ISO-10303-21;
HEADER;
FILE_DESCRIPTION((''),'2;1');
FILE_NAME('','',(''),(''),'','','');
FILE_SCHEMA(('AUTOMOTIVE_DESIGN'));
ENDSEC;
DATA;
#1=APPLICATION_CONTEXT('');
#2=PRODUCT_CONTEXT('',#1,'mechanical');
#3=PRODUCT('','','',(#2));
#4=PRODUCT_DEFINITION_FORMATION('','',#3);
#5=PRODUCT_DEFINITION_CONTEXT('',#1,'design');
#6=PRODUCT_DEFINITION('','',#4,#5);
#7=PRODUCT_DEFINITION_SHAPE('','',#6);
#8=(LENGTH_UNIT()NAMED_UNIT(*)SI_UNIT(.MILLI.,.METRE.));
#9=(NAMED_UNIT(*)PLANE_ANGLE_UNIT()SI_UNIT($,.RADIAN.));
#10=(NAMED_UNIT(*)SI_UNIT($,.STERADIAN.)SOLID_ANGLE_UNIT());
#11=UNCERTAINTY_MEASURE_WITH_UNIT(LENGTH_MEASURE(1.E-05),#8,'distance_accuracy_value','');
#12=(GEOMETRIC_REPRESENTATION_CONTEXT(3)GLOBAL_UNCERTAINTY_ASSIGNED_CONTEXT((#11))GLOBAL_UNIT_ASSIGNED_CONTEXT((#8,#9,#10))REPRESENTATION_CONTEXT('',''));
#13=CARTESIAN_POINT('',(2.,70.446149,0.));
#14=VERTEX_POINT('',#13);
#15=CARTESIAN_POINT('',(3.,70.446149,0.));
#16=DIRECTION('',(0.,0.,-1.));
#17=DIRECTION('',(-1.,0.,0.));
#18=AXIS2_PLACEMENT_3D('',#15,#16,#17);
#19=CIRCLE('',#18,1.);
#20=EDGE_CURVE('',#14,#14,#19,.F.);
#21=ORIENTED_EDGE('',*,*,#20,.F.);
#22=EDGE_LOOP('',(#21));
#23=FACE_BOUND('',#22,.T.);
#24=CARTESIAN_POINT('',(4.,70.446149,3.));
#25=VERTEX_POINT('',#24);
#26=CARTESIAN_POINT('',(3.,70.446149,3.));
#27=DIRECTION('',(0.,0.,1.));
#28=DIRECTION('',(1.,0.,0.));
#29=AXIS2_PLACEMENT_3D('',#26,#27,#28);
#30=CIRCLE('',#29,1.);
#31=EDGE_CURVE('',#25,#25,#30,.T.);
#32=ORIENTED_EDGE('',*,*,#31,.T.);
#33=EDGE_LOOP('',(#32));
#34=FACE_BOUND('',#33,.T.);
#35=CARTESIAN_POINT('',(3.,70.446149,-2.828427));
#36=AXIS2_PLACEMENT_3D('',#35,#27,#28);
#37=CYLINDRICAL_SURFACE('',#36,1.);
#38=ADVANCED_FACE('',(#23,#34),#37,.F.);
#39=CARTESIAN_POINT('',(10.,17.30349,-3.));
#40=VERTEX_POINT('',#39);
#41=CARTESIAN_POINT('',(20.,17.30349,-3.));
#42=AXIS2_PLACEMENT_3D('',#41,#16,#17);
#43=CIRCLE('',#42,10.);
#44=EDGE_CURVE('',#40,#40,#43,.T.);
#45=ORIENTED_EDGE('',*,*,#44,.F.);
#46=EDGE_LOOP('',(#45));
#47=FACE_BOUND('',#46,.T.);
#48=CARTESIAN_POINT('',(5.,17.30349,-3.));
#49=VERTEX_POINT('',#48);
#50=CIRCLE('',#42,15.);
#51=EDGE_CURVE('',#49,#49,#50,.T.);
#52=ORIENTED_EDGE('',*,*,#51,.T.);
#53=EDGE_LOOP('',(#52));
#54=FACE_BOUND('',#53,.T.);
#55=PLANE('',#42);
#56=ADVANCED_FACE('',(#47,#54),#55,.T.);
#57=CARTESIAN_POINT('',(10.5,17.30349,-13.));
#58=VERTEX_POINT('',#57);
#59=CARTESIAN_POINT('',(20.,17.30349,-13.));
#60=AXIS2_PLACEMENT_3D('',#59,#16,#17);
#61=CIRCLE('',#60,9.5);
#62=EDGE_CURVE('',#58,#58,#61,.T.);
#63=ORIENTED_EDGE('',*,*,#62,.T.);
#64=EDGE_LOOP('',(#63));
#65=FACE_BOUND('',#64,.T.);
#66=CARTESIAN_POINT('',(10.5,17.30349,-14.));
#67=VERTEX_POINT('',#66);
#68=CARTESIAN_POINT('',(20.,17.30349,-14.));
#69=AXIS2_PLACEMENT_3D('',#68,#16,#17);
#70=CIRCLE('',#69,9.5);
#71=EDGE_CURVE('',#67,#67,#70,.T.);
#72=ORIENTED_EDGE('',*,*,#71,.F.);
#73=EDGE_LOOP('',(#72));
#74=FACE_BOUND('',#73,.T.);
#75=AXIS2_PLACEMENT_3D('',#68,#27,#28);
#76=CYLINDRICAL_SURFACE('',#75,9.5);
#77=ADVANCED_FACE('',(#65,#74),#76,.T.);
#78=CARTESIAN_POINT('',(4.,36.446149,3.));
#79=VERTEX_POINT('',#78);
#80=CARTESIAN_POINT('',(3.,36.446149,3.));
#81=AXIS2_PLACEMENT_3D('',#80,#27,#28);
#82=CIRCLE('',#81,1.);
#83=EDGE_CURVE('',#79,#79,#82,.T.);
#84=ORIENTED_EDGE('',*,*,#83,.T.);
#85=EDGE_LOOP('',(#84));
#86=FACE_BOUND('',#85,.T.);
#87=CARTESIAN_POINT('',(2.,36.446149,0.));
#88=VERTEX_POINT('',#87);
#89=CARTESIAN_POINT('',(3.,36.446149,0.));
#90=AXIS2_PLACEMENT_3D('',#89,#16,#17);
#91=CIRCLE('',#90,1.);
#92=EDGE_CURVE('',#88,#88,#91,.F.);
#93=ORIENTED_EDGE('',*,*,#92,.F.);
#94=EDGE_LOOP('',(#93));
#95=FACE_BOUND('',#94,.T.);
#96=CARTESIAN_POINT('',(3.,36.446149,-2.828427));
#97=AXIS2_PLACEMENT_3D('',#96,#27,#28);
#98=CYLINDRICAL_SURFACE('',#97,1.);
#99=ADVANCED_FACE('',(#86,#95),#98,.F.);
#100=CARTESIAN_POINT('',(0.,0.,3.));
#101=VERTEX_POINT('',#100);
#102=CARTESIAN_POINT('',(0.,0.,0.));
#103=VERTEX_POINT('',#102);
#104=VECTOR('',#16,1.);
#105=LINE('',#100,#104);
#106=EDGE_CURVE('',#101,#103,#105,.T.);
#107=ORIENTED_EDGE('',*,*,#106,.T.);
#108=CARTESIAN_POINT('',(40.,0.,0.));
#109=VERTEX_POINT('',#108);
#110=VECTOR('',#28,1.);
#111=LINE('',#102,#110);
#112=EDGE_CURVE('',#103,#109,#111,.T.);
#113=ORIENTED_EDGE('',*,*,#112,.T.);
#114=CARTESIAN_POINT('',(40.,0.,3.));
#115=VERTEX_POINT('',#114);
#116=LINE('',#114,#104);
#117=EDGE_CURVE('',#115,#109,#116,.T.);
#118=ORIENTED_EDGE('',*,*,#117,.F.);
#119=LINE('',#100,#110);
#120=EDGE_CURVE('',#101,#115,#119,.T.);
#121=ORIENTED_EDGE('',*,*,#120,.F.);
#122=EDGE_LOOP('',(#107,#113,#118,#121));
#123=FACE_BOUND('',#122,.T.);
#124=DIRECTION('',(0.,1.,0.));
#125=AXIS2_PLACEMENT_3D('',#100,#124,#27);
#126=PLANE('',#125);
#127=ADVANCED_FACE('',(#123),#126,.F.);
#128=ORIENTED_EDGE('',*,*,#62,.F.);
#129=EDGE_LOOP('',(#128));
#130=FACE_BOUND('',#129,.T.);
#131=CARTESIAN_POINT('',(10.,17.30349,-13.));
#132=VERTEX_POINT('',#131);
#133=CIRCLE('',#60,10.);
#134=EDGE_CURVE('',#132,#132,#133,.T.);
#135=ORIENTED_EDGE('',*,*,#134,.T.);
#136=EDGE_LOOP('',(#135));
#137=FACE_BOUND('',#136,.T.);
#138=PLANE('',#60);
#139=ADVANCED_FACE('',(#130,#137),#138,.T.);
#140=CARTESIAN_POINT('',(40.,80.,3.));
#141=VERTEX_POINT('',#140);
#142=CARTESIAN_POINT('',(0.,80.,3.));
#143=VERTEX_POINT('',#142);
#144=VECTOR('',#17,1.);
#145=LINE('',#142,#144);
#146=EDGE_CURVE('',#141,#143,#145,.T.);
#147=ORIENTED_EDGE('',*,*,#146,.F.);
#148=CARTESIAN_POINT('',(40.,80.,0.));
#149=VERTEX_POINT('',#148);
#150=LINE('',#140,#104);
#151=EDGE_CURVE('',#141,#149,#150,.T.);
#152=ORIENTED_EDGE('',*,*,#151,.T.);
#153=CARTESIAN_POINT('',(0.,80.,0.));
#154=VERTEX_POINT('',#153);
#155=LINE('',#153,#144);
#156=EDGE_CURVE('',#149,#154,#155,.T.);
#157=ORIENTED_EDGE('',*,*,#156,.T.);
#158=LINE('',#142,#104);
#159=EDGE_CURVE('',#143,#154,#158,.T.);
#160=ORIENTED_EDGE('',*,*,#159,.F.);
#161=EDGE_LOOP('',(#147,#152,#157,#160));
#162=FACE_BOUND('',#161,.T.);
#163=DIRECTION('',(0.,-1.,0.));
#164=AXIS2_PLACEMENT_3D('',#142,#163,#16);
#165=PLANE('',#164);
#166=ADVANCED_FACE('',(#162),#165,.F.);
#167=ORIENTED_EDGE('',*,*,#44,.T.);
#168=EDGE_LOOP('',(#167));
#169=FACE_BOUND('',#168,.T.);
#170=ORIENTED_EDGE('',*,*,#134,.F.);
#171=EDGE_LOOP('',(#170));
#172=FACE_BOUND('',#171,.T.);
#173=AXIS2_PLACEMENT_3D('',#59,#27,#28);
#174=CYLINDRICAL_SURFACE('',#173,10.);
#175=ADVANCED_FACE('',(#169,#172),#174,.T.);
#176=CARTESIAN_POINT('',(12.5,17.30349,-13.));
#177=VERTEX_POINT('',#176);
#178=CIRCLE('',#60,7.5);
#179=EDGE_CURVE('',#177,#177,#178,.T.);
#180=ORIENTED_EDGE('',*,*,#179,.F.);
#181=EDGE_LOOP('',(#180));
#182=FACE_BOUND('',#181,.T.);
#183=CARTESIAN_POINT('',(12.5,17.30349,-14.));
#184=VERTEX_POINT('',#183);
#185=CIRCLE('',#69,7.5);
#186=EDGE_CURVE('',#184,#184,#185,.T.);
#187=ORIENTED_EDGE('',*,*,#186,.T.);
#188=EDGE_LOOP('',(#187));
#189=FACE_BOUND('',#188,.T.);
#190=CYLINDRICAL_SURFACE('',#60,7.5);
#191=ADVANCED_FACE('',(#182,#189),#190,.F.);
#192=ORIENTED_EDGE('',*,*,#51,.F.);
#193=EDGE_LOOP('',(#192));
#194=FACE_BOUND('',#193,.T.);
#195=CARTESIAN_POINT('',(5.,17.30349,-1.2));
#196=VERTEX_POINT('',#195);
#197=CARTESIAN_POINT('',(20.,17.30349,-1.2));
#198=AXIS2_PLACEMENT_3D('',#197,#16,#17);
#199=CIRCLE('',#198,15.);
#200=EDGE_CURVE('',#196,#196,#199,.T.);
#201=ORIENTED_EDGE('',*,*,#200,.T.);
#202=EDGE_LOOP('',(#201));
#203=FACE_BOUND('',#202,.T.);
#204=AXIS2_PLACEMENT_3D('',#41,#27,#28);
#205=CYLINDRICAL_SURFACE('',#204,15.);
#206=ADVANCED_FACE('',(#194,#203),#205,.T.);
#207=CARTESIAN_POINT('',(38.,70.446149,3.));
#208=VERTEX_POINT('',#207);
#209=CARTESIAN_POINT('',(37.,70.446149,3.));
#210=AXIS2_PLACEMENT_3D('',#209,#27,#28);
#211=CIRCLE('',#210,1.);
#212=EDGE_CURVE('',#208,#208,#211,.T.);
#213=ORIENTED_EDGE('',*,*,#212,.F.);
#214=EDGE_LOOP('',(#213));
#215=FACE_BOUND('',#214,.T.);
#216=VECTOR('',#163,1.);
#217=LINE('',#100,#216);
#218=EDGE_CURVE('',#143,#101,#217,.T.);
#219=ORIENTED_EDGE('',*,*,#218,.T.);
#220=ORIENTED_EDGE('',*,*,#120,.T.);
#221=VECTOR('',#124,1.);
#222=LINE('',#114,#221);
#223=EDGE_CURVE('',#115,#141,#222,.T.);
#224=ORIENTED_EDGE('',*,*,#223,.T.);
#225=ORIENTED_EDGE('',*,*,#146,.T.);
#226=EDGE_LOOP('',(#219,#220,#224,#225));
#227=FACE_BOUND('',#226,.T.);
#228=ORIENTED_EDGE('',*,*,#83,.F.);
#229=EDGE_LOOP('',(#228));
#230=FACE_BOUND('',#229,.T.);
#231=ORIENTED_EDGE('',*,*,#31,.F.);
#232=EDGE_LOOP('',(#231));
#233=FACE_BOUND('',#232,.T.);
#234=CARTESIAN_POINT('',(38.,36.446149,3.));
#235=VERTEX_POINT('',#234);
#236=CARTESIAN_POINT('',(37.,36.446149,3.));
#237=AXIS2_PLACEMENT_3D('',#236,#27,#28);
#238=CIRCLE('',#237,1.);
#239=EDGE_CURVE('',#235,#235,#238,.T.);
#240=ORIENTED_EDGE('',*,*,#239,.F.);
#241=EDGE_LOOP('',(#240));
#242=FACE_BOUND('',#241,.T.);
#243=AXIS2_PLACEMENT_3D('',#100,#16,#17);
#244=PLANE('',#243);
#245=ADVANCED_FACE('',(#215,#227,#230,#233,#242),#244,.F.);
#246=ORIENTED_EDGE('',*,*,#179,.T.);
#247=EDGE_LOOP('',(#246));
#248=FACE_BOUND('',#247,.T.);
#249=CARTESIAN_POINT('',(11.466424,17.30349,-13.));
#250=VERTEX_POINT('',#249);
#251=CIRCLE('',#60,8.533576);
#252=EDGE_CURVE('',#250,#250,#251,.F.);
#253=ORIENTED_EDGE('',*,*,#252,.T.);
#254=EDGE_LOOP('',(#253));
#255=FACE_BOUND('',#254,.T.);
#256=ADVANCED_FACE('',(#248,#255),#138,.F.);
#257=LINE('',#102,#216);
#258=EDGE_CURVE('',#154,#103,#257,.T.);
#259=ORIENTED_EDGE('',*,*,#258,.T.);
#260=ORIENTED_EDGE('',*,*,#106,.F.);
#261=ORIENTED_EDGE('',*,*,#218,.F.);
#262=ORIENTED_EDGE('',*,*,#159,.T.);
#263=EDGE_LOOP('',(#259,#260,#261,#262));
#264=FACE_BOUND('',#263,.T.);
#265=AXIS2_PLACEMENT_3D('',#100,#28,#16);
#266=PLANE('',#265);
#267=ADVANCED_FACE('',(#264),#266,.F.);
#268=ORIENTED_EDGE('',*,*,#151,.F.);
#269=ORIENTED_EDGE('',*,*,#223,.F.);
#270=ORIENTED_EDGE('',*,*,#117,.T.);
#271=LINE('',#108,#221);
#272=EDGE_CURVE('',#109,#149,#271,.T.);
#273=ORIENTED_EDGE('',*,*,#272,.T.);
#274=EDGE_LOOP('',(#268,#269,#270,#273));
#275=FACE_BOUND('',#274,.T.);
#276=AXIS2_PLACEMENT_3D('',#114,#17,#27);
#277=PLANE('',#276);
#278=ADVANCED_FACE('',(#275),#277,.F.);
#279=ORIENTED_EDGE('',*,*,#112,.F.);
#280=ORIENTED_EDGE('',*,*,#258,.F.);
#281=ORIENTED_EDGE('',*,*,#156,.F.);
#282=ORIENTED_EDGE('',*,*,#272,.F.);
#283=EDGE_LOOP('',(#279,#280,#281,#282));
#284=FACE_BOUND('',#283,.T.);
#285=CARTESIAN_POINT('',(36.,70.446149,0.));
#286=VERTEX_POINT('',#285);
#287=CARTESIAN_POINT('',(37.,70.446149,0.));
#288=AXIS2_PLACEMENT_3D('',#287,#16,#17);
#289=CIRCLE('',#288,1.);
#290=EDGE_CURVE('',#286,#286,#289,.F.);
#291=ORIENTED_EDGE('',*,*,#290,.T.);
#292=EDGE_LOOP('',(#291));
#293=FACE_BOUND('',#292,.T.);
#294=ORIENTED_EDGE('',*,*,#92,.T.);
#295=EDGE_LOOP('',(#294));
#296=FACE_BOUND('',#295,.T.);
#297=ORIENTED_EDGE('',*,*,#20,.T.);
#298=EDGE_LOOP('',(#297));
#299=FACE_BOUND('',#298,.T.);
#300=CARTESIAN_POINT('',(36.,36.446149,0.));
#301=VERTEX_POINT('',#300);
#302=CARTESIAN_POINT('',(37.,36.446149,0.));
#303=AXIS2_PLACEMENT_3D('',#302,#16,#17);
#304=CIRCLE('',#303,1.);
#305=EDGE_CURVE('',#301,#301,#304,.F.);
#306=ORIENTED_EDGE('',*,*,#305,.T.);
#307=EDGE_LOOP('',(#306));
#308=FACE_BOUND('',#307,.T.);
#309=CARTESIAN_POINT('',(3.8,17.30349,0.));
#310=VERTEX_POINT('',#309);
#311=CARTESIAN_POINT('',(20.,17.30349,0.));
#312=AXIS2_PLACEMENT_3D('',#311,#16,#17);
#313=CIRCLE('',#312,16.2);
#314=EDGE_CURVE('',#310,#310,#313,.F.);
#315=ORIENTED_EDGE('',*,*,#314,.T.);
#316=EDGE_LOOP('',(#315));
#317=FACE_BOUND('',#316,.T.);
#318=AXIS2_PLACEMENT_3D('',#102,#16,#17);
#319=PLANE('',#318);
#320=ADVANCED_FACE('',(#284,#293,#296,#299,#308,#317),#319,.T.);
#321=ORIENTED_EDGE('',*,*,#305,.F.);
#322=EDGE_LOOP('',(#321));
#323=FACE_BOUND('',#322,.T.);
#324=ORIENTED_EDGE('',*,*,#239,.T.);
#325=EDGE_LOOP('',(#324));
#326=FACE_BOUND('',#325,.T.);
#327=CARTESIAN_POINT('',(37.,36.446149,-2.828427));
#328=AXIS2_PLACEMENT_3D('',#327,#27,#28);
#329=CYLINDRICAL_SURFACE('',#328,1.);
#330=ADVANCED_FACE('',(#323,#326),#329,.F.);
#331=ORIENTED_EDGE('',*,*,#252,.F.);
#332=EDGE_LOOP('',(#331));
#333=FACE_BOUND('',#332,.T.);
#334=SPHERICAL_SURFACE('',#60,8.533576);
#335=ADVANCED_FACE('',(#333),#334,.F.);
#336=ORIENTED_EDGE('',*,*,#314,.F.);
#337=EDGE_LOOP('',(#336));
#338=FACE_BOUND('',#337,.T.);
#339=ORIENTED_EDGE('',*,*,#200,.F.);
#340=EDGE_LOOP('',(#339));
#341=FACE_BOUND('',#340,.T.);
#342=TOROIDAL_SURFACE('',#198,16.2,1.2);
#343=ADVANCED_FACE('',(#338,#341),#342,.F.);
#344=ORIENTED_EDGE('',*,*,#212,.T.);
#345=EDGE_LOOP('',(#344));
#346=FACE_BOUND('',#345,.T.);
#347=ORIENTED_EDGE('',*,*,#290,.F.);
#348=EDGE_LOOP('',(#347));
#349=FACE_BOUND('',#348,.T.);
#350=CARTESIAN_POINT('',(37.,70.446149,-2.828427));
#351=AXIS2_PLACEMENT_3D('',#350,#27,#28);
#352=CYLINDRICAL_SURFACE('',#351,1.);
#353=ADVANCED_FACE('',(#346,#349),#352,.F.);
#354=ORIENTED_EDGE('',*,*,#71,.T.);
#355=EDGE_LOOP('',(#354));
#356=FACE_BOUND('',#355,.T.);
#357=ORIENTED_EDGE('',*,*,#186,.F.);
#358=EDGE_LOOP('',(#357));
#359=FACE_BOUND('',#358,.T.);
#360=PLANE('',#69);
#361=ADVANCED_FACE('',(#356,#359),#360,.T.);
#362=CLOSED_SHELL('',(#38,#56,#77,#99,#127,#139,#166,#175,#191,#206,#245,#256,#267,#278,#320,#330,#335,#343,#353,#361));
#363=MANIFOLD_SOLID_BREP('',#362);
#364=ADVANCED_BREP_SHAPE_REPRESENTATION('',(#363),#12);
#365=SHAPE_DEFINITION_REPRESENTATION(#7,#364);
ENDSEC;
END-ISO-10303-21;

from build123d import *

# Parameters (mm, degrees)
SKETCH1_W           = 40
SKETCH1_H           = 80
BOSS_EXTRUDE1_DEPTH = 3
SKETCH2_R           = 1
CUT_EXTRUDE1_DEPTH  = 3
SKETCH3_R           = 15
BOSS_EXTRUDE2_DEPTH = 3
FILLET1_R           = 1.2
SKETCH4_R           = 10
BOSS_EXTRUDE3_DEPTH = 10
SKETCH14_R          = 9.5
BOSS_EXTRUDE4_DEPTH = 1
SKETCH15_R          = 7.5
CUT_EXTRUDE7_DEPTH  = 1


with BuildPart() as part:
    # Sketch1 → Boss-Extrude1 (new body)
    with BuildSketch(Plane.XY):
        with Locations((20, 40)):
            Rectangle(SKETCH1_W, SKETCH1_H)
    extrude(amount=BOSS_EXTRUDE1_DEPTH)

    # Sketch2 → Cut-Extrude1 (cut)
    with BuildSketch(Plane.XY.offset(3)):
        with Locations((3, 70.446149139)):
            Circle(SKETCH2_R)
        with Locations((3, 36.446149139)):
            Circle(SKETCH2_R)
        with Locations((37, 70.446149139)):
            Circle(SKETCH2_R)
        with Locations((37, 36.446149139)):
            Circle(SKETCH2_R)
    extrude(amount=-CUT_EXTRUDE1_DEPTH, mode=Mode.SUBTRACT)

    # Sketch3 → Boss-Extrude2 (add)
    with BuildSketch(Plane(origin=(0, 0, 0), x_dir=(-1, 0, 0), z_dir=(0, 0, -1))):
        with Locations((-20, 17.303489874)):
            Circle(SKETCH3_R)
    extrude(amount=BOSS_EXTRUDE2_DEPTH)

    # Fillet1
    fillet1_edges = [part.edges().sort_by_distance(p)[0] for p in [
        (35, 17.303489874, 0),
    ]]
    fillet(fillet1_edges, radius=FILLET1_R)

    # Sketch4 → Boss-Extrude3 (add)
    with BuildSketch(Plane(origin=(0, 0, -3), x_dir=(-1, 0, 0), z_dir=(0, 0, -1))):
        with Locations((-20, 17.303489874)):
            Circle(SKETCH4_R)
    extrude(amount=BOSS_EXTRUDE3_DEPTH)

    # Sketch10 → Cut-Revolve2 (revolve, cut)
    with BuildSketch(Plane(origin=(0, 0, -13), x_dir=(-1, 0, 0), z_dir=(0, 0, -1))):
        with BuildLine():
            Line((-20, 25.837066369), (-20, 8.769913378))
            ThreePointArc((-20, 8.769913378), (-11.466423505, 17.303489874), (-20, 25.837066369))
        make_face()
    revolve(axis=Axis((20, 25.837066369, -13), (0, -1, 0)), mode=Mode.SUBTRACT)

    # Sketch14 → Boss-Extrude4 (add)
    with BuildSketch(Plane(origin=(0, 0, -13), x_dir=(-1, 0, 0), z_dir=(0, 0, -1))):
        with Locations((-20, 17.303489874)):
            Circle(SKETCH14_R)
    extrude(amount=BOSS_EXTRUDE4_DEPTH)

    # Sketch15 → Cut-Extrude7 (cut)
    with BuildSketch(Plane(origin=(0, 0, -14), x_dir=(-1, 0, 0), z_dir=(0, 0, -1))):
        with Locations((-20, 17.303489874)):
            Circle(SKETCH15_R)
    extrude(amount=-CUT_EXTRUDE7_DEPTH, mode=Mode.SUBTRACT)


solid = part.part
